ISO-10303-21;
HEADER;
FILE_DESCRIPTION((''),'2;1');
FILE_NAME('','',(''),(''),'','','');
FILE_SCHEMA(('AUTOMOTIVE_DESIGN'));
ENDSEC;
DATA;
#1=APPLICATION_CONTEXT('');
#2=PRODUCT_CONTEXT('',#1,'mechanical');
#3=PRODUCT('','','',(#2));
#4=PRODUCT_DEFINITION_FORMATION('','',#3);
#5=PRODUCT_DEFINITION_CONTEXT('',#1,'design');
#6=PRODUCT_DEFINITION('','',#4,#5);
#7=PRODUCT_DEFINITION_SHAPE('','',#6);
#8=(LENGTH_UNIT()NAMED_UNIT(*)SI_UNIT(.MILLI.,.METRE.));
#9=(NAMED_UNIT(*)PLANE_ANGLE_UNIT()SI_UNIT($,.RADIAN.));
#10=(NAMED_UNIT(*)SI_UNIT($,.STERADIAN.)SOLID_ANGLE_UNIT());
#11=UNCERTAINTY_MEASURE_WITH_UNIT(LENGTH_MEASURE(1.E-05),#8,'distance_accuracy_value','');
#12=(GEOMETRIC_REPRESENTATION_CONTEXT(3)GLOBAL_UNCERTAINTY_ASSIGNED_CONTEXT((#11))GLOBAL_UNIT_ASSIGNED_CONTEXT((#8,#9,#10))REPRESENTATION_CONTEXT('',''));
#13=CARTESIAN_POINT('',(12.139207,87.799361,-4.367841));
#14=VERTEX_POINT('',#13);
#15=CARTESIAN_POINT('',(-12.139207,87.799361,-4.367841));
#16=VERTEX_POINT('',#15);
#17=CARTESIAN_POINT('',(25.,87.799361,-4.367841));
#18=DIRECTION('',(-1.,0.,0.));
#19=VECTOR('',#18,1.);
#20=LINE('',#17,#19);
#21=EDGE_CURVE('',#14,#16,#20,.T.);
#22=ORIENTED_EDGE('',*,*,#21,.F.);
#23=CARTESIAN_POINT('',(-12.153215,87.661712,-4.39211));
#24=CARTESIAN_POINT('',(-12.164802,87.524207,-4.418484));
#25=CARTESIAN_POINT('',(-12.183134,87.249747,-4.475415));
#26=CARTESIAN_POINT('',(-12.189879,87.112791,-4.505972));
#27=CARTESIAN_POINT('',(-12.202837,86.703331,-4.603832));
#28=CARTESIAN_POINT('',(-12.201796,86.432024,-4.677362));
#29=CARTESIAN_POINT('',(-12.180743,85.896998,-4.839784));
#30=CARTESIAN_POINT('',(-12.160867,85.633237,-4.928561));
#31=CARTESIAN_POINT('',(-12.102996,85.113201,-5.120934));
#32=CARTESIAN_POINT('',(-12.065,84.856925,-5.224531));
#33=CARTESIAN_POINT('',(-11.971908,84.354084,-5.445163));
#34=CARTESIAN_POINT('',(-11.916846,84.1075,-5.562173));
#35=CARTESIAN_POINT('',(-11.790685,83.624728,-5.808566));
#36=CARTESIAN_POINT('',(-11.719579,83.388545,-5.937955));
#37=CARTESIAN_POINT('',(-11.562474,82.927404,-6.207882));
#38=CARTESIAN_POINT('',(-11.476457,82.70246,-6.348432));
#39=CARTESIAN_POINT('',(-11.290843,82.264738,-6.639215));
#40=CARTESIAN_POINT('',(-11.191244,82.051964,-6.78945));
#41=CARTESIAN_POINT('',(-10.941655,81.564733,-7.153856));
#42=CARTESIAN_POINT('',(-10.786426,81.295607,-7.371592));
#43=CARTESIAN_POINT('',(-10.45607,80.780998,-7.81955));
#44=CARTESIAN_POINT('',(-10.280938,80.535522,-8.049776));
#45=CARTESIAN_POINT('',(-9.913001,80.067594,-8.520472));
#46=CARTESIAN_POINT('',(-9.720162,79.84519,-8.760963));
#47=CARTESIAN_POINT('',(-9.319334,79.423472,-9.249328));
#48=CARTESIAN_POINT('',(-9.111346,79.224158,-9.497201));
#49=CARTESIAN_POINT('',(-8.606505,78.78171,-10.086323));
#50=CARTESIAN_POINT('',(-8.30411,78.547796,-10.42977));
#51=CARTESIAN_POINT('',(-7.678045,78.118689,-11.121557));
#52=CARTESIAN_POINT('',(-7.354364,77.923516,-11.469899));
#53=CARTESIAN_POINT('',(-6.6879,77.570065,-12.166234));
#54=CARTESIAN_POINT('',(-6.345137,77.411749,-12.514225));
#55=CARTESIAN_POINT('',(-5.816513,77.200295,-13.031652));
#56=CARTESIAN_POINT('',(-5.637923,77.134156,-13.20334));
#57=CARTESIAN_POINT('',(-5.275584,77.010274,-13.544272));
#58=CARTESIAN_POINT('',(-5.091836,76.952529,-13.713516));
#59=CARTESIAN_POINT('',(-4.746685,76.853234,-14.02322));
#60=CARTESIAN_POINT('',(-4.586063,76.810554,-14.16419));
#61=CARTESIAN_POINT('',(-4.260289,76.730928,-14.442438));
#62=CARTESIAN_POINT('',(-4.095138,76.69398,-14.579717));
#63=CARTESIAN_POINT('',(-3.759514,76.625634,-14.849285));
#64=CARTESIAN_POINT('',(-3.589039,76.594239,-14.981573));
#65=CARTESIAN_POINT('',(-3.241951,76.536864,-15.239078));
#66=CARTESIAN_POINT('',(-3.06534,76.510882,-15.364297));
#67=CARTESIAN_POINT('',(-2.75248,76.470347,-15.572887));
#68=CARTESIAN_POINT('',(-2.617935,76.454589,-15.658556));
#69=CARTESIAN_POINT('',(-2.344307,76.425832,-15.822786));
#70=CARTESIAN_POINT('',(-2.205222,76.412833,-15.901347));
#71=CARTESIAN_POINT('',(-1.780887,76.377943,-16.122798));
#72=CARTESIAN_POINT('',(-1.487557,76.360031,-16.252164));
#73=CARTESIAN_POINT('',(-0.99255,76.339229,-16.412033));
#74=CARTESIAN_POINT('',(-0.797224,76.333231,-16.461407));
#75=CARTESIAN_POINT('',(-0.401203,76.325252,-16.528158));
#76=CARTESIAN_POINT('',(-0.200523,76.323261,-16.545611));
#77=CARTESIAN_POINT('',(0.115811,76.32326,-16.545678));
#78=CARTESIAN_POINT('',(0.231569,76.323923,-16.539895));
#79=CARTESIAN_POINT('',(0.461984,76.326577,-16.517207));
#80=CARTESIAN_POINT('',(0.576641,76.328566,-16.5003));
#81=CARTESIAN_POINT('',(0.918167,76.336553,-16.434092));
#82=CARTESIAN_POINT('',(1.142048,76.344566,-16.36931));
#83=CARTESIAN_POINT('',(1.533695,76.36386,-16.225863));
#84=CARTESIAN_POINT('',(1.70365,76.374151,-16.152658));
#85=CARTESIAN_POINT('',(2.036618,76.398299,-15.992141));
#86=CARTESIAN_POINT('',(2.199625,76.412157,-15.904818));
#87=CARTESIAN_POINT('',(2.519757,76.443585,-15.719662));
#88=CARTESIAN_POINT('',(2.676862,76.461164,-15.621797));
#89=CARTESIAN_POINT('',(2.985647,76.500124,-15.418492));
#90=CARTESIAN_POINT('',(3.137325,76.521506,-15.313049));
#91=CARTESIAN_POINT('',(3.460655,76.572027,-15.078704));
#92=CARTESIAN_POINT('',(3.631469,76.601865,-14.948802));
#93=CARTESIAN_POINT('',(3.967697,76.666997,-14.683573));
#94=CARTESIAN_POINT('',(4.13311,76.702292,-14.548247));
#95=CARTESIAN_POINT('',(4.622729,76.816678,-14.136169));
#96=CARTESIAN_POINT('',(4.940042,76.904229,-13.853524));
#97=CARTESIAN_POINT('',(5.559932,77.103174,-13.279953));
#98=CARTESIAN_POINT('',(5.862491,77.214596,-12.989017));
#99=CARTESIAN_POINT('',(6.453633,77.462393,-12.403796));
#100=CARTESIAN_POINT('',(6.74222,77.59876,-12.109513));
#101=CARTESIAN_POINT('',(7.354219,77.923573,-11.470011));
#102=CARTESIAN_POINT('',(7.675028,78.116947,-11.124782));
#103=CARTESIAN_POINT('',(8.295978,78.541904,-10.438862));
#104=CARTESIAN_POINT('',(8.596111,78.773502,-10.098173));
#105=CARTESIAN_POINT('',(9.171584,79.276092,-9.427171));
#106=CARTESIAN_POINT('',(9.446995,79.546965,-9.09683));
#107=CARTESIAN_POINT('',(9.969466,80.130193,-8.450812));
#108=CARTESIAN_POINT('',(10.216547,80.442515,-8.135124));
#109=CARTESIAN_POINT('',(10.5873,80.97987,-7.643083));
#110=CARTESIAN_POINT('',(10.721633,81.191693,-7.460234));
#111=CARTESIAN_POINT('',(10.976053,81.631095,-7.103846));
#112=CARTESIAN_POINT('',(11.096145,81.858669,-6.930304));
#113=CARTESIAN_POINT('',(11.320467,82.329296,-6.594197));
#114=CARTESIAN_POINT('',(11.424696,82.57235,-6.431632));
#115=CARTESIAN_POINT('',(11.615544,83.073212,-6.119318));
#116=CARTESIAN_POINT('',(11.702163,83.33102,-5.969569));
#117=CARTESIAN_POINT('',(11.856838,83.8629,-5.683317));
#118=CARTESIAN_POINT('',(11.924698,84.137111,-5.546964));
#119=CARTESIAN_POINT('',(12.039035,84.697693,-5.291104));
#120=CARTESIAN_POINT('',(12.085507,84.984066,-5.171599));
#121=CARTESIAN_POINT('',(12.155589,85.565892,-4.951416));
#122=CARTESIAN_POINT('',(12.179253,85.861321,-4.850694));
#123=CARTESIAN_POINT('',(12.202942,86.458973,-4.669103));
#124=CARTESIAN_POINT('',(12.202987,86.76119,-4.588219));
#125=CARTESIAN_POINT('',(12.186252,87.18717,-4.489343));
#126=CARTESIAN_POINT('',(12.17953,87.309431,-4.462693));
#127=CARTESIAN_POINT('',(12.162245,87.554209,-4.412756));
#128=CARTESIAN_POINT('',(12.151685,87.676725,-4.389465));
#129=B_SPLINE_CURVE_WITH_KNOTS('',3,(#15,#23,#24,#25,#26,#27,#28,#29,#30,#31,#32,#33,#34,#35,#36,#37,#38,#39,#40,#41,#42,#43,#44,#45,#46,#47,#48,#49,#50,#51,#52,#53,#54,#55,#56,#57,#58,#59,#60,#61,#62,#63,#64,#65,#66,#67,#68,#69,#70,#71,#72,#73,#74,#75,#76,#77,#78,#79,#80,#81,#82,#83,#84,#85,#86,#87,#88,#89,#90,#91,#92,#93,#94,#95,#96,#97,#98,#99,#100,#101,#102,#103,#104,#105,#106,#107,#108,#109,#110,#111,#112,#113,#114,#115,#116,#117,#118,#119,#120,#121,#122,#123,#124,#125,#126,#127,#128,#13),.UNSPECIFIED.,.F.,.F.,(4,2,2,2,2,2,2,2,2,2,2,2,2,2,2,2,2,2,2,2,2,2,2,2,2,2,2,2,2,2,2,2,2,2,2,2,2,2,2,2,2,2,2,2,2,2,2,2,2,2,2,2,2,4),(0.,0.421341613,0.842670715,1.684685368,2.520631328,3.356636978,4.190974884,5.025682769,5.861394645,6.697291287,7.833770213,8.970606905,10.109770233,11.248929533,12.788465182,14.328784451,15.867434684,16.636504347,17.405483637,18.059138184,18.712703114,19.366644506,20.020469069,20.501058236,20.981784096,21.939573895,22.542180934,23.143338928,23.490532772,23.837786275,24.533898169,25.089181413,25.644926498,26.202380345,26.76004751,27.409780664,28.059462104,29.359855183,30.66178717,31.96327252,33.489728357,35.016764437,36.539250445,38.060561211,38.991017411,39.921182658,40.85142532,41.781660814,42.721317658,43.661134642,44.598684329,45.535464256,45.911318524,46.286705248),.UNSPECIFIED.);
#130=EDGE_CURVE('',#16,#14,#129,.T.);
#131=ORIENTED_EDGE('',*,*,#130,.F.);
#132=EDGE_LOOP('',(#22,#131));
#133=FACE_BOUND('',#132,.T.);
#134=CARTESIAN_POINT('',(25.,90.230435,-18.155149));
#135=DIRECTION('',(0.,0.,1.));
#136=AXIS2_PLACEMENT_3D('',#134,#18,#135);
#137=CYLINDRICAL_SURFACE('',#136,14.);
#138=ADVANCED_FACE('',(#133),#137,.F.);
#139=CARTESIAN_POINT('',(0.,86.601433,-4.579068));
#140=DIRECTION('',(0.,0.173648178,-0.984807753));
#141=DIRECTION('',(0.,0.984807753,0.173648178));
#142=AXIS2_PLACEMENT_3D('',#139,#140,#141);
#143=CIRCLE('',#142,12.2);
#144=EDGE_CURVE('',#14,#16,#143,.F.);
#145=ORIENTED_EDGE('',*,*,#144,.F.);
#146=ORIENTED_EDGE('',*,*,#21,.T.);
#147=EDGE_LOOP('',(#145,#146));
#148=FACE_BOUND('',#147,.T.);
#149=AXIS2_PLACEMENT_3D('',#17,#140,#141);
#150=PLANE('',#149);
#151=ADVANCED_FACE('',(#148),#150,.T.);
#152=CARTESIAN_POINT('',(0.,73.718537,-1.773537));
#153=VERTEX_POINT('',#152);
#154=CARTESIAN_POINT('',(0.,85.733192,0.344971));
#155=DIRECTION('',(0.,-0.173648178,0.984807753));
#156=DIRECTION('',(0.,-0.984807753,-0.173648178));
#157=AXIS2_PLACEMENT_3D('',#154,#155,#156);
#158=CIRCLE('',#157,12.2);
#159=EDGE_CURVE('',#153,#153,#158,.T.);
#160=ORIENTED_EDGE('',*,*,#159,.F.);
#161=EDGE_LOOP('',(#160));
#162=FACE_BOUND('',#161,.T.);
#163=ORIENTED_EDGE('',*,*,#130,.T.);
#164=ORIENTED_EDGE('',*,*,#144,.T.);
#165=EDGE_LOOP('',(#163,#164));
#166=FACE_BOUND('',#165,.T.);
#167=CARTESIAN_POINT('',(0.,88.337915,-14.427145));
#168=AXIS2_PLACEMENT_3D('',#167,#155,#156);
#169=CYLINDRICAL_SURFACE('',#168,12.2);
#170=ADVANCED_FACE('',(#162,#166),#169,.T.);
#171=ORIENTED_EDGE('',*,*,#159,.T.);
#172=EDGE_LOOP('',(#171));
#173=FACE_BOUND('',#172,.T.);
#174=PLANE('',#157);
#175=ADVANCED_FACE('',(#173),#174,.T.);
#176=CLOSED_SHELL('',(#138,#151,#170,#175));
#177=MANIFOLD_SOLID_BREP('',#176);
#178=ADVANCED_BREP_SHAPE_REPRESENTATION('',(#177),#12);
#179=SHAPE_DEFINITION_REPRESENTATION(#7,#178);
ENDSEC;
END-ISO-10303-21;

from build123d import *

# Parameters (mm, degrees)
SKETCH2_R           = 12.2
BOSS_EXTRUDE1_DEPTH = 15
BOSS_EXTRUDE2_DEPTH = 25


with BuildPart() as part:
    # Sketch2 → Boss-Extrude1 (new body)
    with BuildSketch(Plane(origin=(0, 2.526178565, -14.326670571), x_dir=(0, -0.984807753, -0.173648178), z_dir=(0, -0.173648178, 0.984807753))):
        with Locations((-84.490615604, 0)):
            Circle(SKETCH2_R)
    extrude(amount=-BOSS_EXTRUDE1_DEPTH)


with BuildPart() as body_2:
    # Sketch1 → Boss-Extrude2 (new body, symmetric)
    with BuildSketch(Plane(origin=(0, 0, 0), x_dir=(0, 0, -1), z_dir=(1, 0, 0))):
        with BuildLine():
            Line((4.367840897, 87.799360654), (2.460560139, 98.616087344))
            Line((2.460560139, 98.616087344), (1.59231925, 103.540126109))
            Line((1.59231925, 103.540126109), (11.44039678, 105.276607886))
            Line((11.44039678, 105.276607886), (16.545653204, 76.323259947))
            ThreePointArc((16.545653204, 76.323259947), (8.553554718, 80.041746373), (4.367840897, 87.799360654))
        make_face()
    extrude(amount=BOSS_EXTRUDE2_DEPTH, both=True)


with BuildPart() as part_1:
    add(part.part)

    # Combine1: cut body 2
    add(body_2.part, mode=Mode.SUBTRACT)


solid = part_1.part
